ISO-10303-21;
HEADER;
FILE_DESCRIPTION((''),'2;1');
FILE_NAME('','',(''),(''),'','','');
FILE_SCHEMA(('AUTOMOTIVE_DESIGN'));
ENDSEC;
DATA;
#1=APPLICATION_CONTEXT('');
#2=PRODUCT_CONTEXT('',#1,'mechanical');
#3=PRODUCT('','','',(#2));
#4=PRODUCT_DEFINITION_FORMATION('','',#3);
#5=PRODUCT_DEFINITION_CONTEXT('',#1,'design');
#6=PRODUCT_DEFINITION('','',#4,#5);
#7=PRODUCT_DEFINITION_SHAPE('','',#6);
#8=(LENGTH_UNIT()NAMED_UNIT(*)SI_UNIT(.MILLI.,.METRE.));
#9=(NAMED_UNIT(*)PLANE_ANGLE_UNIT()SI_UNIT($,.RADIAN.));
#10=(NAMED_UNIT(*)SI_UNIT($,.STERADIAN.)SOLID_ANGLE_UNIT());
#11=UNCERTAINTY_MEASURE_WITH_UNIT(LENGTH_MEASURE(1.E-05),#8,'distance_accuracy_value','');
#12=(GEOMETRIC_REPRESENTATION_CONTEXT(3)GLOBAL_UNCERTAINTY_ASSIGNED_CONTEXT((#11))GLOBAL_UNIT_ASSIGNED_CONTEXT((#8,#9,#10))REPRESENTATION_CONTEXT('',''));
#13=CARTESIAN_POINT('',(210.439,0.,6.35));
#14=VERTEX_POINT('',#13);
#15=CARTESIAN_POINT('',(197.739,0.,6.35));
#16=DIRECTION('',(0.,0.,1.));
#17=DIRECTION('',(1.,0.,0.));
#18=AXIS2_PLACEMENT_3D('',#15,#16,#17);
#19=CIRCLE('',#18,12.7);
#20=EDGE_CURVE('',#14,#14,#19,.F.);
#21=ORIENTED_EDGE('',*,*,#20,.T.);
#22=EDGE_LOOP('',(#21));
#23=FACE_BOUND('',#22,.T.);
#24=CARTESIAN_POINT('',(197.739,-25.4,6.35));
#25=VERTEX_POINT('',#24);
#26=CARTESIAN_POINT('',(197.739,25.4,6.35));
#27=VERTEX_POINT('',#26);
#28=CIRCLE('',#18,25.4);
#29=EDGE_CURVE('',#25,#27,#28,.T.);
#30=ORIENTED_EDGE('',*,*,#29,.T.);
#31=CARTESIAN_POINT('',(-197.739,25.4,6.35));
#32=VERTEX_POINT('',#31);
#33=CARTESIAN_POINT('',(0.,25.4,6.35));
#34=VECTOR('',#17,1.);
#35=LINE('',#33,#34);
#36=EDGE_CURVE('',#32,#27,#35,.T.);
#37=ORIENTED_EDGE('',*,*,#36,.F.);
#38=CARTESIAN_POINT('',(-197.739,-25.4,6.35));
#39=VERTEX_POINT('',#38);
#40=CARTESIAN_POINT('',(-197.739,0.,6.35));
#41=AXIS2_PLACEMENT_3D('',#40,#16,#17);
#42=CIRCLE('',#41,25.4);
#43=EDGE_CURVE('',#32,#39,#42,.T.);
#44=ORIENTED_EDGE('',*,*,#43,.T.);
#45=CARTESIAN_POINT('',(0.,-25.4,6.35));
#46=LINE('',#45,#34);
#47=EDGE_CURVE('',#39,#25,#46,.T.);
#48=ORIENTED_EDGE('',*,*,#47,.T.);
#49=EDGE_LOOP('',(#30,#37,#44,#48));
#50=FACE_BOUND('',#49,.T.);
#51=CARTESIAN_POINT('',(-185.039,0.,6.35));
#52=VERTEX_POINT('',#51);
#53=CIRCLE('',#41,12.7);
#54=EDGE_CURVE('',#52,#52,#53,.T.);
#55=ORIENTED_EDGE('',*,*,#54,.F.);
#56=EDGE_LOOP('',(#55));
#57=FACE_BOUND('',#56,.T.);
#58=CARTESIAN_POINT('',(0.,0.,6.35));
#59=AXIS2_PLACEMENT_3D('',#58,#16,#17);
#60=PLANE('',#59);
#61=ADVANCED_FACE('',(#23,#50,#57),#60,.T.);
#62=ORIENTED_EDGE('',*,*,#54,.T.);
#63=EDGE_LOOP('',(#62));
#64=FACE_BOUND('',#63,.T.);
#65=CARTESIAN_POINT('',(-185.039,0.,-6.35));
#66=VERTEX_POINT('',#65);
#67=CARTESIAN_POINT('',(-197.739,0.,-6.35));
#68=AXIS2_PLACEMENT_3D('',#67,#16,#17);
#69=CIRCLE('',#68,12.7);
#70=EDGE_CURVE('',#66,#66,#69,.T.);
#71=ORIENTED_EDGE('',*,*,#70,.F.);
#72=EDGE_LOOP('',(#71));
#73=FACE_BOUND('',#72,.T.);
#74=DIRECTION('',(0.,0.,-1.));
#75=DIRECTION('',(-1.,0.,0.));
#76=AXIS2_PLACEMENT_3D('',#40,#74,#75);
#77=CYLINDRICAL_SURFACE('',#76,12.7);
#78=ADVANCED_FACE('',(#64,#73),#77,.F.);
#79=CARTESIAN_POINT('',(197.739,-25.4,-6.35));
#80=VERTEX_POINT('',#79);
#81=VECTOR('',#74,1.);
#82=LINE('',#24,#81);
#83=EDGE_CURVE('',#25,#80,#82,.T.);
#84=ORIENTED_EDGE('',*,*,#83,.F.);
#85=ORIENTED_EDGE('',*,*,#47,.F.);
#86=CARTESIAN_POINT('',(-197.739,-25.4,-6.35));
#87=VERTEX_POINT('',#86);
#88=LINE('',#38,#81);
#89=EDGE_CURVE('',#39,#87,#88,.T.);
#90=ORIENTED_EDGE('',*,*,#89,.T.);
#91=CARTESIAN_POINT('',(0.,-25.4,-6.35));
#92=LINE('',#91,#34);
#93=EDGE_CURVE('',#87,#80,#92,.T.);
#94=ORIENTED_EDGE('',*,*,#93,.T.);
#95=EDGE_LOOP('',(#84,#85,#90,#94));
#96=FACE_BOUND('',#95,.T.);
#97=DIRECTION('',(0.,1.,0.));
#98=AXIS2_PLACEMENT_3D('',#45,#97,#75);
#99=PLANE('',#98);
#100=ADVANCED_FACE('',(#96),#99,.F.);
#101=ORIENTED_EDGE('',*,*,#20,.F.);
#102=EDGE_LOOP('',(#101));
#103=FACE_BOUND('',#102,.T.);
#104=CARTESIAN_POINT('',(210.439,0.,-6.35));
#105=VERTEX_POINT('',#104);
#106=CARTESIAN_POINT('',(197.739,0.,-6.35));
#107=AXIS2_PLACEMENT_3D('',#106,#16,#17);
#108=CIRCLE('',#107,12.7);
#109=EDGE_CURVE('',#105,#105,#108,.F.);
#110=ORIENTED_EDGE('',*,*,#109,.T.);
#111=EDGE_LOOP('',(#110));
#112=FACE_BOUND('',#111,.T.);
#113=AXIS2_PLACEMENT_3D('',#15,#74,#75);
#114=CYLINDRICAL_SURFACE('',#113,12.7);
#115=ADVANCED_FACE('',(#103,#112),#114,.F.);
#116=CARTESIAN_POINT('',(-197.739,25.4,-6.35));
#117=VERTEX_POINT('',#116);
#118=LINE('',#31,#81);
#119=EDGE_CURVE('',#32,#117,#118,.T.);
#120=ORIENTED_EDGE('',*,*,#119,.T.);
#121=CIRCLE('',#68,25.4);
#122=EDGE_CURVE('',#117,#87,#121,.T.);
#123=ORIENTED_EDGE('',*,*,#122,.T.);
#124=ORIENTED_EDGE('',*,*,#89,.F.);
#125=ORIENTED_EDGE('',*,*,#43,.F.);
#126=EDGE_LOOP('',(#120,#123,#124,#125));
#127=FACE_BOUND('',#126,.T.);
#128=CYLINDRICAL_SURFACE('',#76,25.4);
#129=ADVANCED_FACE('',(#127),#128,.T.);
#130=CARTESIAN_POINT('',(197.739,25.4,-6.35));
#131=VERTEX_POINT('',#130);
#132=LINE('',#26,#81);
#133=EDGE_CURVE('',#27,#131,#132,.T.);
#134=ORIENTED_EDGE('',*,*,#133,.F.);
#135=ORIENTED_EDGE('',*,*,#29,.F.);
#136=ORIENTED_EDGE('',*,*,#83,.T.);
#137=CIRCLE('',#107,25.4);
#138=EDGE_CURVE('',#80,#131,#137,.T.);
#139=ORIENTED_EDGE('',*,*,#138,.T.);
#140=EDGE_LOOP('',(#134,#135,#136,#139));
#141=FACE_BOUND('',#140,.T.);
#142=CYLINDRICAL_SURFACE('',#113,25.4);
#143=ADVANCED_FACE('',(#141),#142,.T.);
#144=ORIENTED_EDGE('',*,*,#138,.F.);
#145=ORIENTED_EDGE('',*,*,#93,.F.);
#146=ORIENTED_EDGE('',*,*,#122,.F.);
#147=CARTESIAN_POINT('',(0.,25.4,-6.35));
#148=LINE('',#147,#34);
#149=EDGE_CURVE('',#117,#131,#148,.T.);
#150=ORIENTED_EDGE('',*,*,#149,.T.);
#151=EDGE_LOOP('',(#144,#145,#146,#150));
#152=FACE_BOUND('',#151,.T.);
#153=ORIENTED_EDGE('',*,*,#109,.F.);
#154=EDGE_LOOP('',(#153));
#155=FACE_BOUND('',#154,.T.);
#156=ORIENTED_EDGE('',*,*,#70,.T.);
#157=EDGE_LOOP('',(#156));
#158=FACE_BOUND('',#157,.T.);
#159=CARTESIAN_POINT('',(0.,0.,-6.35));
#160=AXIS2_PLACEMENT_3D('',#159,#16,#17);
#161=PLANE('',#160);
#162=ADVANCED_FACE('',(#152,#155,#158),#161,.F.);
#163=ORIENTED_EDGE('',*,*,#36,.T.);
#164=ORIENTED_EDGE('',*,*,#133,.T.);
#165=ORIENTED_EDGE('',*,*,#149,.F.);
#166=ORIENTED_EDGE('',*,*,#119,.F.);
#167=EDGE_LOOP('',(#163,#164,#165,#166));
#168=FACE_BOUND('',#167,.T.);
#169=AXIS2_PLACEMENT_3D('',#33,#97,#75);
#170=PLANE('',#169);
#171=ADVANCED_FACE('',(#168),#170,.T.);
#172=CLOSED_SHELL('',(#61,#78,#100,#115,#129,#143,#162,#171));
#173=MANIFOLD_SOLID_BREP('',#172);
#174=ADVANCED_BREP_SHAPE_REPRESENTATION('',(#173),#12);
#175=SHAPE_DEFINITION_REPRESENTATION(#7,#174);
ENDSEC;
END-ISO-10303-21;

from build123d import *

# Parameters (mm, degrees)
SKETCH1_R           = 12.7
BOSS_EXTRUDE1_DEPTH = 6.35


with BuildPart() as part:
    # Sketch1 → Boss-Extrude1 (new, symmetric)
    with BuildSketch(Plane.XY):
        with BuildLine():
            Line((-197.739, 25.4), (197.739, 25.4))
            ThreePointArc((197.739, 25.4), (223.139, 0), (197.739, -25.4))
            Line((197.739, -25.4), (-197.739, -25.4))
            ThreePointArc((-197.739, -25.4), (-223.139, 0), (-197.739, 25.4))
        make_face()
        with Locations((-197.739, 0)):
            Circle(SKETCH1_R, mode=Mode.SUBTRACT)
        with Locations((197.739, 0)):
            Circle(SKETCH1_R, mode=Mode.SUBTRACT)
    extrude(amount=BOSS_EXTRUDE1_DEPTH, both=True)


solid = part.part
